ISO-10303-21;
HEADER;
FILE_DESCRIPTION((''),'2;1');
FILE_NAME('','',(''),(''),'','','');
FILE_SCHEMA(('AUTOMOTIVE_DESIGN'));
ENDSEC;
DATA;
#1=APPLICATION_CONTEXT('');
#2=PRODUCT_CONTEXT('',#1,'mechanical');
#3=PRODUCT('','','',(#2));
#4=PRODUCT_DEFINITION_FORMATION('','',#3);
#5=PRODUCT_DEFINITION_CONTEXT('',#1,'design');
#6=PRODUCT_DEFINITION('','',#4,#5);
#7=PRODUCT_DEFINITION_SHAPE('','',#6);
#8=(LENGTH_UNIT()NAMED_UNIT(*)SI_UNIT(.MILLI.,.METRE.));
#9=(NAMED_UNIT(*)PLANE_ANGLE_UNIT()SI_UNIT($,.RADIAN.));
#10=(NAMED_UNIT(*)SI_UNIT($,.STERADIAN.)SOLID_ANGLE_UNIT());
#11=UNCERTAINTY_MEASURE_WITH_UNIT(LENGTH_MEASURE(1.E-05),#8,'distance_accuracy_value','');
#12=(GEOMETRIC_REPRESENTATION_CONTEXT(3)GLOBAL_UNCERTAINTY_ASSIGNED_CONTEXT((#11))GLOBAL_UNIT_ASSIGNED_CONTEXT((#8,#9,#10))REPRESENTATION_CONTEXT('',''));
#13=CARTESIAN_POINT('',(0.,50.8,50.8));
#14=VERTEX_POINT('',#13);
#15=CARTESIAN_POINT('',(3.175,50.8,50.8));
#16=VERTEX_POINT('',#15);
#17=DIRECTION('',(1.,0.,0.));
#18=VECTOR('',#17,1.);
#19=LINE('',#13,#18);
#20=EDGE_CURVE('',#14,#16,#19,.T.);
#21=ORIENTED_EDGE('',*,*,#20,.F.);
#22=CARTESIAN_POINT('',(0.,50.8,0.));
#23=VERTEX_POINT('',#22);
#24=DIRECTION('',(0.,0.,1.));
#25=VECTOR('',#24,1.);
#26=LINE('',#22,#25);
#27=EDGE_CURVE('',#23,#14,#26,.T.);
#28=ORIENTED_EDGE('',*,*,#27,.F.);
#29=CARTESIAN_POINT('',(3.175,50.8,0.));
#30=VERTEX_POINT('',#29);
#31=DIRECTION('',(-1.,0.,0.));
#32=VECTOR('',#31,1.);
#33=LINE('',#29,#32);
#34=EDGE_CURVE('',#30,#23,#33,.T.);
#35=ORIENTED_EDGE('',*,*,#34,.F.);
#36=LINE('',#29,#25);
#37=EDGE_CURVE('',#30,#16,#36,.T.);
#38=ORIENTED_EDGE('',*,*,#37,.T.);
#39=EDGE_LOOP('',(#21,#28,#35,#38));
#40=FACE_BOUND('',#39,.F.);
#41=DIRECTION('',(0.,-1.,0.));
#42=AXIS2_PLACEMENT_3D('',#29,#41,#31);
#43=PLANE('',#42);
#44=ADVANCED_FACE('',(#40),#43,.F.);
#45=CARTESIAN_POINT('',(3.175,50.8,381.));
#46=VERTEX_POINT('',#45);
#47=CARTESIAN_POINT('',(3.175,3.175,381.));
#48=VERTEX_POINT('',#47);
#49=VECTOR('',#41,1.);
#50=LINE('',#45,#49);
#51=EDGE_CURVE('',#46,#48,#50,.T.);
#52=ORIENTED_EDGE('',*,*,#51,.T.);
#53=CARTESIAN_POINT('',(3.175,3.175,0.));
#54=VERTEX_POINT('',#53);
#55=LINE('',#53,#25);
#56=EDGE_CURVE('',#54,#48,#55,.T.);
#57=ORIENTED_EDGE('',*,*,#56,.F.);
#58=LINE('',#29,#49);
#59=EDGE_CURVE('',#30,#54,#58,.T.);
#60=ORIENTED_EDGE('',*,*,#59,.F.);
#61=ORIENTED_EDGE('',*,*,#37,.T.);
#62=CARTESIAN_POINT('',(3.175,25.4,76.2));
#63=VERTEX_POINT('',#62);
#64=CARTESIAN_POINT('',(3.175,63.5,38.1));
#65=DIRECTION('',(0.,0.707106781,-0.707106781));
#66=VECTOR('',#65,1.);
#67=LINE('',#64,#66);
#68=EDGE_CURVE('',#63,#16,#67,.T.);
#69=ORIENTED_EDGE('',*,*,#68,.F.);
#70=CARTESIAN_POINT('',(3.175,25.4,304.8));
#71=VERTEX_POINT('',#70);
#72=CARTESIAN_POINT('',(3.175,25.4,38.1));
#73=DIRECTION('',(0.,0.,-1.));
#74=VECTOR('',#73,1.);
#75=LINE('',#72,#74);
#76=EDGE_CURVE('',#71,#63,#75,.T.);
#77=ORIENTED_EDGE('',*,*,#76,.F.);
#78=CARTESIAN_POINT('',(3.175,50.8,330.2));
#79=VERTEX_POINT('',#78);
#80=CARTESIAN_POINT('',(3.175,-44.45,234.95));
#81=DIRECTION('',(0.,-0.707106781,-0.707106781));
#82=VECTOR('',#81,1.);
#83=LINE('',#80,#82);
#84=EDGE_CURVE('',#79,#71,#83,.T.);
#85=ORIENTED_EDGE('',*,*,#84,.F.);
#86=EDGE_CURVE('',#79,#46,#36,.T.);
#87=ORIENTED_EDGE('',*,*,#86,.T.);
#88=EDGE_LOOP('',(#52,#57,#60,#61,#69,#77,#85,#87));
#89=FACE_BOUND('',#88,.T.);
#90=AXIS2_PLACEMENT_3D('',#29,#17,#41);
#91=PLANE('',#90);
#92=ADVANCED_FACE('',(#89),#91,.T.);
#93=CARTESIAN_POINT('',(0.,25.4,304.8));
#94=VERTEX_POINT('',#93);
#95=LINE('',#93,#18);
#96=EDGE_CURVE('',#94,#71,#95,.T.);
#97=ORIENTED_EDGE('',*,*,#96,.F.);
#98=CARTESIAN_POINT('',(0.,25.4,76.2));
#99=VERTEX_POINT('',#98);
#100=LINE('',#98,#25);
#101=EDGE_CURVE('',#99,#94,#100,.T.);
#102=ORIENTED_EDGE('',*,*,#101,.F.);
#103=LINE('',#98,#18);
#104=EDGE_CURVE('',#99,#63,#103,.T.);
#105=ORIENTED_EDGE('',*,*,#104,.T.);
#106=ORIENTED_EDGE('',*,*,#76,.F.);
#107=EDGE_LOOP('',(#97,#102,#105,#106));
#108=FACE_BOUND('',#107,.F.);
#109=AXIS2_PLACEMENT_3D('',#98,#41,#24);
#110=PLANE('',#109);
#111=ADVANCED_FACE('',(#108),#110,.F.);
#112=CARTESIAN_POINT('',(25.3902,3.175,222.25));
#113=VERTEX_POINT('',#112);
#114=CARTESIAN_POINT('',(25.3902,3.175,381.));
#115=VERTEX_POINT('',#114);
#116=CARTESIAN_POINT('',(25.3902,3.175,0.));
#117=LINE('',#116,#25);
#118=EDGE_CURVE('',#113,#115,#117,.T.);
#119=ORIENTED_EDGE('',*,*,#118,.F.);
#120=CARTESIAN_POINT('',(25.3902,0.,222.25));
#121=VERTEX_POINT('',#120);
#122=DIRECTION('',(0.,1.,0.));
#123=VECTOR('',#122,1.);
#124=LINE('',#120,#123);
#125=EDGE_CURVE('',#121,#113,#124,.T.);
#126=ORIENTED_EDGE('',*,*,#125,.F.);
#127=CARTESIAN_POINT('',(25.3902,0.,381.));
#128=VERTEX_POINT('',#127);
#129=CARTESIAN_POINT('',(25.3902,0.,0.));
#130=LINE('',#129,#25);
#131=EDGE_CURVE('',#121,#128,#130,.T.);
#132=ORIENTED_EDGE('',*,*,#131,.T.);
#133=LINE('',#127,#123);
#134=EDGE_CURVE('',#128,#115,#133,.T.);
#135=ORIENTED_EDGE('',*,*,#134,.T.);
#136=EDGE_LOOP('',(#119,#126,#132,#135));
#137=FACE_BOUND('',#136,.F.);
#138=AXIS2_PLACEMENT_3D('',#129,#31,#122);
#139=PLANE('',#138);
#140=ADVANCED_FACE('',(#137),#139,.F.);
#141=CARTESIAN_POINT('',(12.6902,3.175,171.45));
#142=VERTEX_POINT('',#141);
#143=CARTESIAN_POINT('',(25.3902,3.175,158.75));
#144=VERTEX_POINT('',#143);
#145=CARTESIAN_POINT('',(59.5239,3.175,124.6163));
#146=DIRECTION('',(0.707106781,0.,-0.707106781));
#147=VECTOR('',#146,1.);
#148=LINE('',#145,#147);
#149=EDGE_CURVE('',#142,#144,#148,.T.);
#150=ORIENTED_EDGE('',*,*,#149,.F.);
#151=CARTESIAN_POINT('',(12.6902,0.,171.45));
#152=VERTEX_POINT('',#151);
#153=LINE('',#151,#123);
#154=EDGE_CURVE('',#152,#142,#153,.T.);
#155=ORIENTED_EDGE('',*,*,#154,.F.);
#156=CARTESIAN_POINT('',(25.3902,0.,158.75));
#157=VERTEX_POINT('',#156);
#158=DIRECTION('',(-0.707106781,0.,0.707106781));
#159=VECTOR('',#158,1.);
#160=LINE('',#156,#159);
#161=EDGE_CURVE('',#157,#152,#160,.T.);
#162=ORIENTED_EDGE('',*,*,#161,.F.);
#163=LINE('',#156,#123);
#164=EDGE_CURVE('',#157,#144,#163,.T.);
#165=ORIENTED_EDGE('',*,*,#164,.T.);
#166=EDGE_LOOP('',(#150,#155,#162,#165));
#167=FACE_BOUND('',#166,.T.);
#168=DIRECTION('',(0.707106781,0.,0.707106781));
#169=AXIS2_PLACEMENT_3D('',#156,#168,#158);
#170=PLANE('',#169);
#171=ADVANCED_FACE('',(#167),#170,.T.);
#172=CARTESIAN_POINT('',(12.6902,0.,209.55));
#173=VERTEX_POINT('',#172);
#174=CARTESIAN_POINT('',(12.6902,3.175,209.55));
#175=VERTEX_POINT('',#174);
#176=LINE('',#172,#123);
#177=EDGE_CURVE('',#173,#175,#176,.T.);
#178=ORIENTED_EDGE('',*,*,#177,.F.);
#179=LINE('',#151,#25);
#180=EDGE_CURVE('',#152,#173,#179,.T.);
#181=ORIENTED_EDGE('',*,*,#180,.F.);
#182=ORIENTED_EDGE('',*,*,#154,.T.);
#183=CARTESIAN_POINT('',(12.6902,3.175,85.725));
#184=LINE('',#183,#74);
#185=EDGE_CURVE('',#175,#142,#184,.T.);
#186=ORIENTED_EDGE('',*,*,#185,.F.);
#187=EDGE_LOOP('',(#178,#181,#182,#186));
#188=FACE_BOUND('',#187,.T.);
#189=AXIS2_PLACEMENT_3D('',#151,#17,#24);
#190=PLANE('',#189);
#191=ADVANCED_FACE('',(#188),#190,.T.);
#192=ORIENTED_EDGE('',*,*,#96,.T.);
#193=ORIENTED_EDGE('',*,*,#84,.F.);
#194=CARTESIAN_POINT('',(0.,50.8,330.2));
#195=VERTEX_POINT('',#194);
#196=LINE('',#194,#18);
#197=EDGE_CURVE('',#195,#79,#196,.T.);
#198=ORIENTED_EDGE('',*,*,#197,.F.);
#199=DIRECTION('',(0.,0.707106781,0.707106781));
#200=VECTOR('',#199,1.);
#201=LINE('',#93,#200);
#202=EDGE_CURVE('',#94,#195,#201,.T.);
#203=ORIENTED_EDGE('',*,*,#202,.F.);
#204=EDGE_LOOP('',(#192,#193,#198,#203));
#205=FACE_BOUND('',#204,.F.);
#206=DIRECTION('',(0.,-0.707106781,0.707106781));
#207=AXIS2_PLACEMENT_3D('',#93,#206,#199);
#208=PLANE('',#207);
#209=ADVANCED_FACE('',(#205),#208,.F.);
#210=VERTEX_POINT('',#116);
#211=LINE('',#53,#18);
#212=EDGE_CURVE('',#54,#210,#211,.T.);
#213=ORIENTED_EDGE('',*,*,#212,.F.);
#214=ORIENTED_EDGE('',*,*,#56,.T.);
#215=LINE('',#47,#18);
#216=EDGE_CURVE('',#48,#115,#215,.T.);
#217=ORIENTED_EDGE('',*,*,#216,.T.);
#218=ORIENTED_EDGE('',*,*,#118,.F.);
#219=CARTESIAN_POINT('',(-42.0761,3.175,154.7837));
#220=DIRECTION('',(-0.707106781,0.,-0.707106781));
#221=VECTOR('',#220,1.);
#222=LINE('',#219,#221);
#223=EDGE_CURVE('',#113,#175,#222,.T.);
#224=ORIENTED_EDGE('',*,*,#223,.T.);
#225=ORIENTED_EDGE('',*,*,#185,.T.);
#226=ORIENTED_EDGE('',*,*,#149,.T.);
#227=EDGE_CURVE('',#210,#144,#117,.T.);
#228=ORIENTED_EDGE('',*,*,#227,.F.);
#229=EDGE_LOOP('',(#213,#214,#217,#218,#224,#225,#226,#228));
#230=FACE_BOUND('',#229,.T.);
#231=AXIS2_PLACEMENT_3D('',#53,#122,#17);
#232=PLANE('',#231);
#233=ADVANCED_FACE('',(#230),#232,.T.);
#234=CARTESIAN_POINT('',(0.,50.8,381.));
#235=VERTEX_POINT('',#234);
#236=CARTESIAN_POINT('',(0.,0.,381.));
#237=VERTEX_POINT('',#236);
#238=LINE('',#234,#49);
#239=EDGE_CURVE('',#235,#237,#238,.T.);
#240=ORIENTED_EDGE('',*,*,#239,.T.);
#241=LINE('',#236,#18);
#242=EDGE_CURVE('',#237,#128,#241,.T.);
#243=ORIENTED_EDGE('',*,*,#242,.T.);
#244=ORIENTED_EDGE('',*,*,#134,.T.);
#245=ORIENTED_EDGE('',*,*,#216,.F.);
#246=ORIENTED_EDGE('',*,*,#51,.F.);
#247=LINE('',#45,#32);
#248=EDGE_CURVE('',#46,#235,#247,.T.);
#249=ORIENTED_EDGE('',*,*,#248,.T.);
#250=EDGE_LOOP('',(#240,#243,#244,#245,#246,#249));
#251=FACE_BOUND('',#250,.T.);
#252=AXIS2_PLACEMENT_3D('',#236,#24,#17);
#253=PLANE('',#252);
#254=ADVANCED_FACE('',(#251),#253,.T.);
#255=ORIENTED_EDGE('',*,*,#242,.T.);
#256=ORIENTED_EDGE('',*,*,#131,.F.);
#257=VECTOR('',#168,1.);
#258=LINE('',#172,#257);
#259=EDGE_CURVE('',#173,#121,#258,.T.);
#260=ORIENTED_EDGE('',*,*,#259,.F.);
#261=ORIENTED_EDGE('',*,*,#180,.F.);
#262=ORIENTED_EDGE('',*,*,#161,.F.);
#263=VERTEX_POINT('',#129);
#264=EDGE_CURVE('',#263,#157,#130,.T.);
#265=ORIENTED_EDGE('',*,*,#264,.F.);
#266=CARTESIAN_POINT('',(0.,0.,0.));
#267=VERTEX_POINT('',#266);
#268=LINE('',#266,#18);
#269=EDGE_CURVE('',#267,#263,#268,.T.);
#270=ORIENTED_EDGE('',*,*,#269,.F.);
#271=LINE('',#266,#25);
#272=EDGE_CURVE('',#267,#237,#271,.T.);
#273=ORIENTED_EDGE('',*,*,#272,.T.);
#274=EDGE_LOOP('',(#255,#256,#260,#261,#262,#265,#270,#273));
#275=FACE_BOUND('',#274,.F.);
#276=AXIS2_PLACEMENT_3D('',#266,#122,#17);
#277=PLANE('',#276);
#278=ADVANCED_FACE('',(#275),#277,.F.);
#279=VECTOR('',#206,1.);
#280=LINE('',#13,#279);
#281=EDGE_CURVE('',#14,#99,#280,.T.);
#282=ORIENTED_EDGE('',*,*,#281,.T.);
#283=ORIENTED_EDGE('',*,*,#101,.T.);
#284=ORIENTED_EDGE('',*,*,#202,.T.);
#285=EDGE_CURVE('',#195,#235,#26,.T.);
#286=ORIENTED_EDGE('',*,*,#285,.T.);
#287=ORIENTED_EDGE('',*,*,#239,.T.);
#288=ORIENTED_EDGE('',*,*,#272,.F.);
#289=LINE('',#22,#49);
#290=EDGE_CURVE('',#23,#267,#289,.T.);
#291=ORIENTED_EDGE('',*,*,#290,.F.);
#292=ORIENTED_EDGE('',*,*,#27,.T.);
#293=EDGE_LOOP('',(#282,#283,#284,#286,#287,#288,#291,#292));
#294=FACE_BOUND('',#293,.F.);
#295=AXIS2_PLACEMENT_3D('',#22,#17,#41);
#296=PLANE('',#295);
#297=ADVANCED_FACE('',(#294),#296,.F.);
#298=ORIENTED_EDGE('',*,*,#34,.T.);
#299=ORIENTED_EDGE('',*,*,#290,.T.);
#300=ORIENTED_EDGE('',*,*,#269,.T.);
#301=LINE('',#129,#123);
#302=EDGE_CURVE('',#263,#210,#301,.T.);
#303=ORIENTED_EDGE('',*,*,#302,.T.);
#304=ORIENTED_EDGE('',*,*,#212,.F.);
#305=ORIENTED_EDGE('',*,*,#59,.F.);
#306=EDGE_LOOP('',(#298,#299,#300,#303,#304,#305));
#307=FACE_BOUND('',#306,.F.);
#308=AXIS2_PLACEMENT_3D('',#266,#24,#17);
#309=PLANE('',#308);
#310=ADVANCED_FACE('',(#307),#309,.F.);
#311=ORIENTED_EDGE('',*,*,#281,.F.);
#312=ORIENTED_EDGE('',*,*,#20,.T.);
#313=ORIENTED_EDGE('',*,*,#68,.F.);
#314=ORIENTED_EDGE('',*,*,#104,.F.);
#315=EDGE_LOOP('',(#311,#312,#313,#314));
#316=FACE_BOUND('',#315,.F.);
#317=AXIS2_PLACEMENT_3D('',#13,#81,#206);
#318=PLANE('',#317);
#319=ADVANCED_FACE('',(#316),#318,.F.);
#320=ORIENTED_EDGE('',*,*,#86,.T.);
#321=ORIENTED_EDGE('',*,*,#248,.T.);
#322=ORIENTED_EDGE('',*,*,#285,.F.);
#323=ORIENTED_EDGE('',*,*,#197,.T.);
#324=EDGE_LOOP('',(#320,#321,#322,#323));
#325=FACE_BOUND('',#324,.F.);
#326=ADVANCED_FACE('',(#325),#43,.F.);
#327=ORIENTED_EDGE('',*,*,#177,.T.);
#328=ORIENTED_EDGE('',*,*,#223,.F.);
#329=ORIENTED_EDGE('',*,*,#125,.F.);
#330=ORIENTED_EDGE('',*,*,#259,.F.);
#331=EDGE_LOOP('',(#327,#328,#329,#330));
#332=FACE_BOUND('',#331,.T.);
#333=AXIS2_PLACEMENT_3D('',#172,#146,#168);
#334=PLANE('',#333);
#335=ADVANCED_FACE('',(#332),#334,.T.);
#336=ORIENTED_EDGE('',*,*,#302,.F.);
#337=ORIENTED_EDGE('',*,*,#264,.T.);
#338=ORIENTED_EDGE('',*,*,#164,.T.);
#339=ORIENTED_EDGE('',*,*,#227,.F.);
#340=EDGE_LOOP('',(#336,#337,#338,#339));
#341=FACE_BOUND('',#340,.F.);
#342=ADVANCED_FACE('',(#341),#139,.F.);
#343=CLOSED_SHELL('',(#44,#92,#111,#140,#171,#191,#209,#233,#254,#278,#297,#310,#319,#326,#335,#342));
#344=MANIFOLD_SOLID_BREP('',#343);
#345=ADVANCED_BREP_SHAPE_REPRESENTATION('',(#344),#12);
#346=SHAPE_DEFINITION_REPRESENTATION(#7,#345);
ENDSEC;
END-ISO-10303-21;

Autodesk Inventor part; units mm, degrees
ref_plane "YZ Plane" through (0, 0, 0) normal (1, 0, 0) x (0, 1, 0)
ref_plane "XZ Plane" through (0, 0, 0) normal (0, 1, 0) x (-1, 0, 0)
ref_plane "XY Plane" through (0, 0, 0) normal (0, 0, 1) x (1, 0, 0)
sketch "Sketch1" plane through (0, 0, 0) normal (0, 0, 1) x (1, 0, 0)
  line L0 (0, 0) -> (25.3902, 0)
  line L1 (25.3902, 0) -> (25.3902, 3.175)
  line L2 (3.175, 50.8) -> (0, 50.8)
  line L3 (0, 50.8) -> (0, 0)
  line L4 (3.175, 50.8) -> (3.175, 3.175)
  line L5 (3.175, 3.175) -> (25.3902, 3.175)
  dimension "d0" = 50.8
  dimension "d1" = 25.3902
  dimension "d2" = 3.175
  dimension "d3" = 3.175
extrude "Extrusion1" add sketch "Sketch1" along normal blind 381
sketch "Sketch2" plane through (0, 0, 0) normal (0, -1, 0) x (1, 0, 0)
  line L0 (0, 0) -> (25.3902, 0) projected
  line L1 (25.3902, 0) -> (25.3902, 381) projected
  line L2 (25.3902, 158.75) -> (12.6902, 171.45)
  line L3 (12.6902, 171.45) -> (12.6902, 209.55)
  line L4 (12.6902, 209.55) -> (25.3902, 222.25)
  dimension "d6" = 12.7
  dimension "d7" = 45
  dimension "d8" = 45
  dimension "d9" = 38.1
  dimension "d10" = 171.45
extrude "Extrusion2" cut sketch "Sketch2" against normal through all
sketch "Sketch3" plane through (0, 0, 0) normal (-1, 0, 0) x (0, 0, 1)
  line L0 (381, 0) -> (381, 50.8) projected
  line L1 (0, 50.8) -> (381, 50.8) projected
  line L2 (0, 50.8) -> (0, 0) projected
  line L3 (0, 0) -> (381, 0) projected
  line L4 (50.8, 50.8) -> (76.2, 25.4)
  line L5 (76.2, 25.4) -> (304.8, 25.4)
  line L6 (304.8, 25.4) -> (330.2, 50.8)
  dimension "d13" = 25.4
  dimension "d14" = 45
  dimension "d15" = 45
  dimension "d16" = 50.8
  dimension "d17" = 50.8
extrude "Extrusion3" cut sketch "Sketch3" against normal through all contours L6 L5 L4 L1
equation "\"d2\" = d3"
equation "\"d7\" = d8"
equation "\"d15\" = d14"
equation "\"d17\" = d16"
properties part number "8 ball  frame bottom L"
